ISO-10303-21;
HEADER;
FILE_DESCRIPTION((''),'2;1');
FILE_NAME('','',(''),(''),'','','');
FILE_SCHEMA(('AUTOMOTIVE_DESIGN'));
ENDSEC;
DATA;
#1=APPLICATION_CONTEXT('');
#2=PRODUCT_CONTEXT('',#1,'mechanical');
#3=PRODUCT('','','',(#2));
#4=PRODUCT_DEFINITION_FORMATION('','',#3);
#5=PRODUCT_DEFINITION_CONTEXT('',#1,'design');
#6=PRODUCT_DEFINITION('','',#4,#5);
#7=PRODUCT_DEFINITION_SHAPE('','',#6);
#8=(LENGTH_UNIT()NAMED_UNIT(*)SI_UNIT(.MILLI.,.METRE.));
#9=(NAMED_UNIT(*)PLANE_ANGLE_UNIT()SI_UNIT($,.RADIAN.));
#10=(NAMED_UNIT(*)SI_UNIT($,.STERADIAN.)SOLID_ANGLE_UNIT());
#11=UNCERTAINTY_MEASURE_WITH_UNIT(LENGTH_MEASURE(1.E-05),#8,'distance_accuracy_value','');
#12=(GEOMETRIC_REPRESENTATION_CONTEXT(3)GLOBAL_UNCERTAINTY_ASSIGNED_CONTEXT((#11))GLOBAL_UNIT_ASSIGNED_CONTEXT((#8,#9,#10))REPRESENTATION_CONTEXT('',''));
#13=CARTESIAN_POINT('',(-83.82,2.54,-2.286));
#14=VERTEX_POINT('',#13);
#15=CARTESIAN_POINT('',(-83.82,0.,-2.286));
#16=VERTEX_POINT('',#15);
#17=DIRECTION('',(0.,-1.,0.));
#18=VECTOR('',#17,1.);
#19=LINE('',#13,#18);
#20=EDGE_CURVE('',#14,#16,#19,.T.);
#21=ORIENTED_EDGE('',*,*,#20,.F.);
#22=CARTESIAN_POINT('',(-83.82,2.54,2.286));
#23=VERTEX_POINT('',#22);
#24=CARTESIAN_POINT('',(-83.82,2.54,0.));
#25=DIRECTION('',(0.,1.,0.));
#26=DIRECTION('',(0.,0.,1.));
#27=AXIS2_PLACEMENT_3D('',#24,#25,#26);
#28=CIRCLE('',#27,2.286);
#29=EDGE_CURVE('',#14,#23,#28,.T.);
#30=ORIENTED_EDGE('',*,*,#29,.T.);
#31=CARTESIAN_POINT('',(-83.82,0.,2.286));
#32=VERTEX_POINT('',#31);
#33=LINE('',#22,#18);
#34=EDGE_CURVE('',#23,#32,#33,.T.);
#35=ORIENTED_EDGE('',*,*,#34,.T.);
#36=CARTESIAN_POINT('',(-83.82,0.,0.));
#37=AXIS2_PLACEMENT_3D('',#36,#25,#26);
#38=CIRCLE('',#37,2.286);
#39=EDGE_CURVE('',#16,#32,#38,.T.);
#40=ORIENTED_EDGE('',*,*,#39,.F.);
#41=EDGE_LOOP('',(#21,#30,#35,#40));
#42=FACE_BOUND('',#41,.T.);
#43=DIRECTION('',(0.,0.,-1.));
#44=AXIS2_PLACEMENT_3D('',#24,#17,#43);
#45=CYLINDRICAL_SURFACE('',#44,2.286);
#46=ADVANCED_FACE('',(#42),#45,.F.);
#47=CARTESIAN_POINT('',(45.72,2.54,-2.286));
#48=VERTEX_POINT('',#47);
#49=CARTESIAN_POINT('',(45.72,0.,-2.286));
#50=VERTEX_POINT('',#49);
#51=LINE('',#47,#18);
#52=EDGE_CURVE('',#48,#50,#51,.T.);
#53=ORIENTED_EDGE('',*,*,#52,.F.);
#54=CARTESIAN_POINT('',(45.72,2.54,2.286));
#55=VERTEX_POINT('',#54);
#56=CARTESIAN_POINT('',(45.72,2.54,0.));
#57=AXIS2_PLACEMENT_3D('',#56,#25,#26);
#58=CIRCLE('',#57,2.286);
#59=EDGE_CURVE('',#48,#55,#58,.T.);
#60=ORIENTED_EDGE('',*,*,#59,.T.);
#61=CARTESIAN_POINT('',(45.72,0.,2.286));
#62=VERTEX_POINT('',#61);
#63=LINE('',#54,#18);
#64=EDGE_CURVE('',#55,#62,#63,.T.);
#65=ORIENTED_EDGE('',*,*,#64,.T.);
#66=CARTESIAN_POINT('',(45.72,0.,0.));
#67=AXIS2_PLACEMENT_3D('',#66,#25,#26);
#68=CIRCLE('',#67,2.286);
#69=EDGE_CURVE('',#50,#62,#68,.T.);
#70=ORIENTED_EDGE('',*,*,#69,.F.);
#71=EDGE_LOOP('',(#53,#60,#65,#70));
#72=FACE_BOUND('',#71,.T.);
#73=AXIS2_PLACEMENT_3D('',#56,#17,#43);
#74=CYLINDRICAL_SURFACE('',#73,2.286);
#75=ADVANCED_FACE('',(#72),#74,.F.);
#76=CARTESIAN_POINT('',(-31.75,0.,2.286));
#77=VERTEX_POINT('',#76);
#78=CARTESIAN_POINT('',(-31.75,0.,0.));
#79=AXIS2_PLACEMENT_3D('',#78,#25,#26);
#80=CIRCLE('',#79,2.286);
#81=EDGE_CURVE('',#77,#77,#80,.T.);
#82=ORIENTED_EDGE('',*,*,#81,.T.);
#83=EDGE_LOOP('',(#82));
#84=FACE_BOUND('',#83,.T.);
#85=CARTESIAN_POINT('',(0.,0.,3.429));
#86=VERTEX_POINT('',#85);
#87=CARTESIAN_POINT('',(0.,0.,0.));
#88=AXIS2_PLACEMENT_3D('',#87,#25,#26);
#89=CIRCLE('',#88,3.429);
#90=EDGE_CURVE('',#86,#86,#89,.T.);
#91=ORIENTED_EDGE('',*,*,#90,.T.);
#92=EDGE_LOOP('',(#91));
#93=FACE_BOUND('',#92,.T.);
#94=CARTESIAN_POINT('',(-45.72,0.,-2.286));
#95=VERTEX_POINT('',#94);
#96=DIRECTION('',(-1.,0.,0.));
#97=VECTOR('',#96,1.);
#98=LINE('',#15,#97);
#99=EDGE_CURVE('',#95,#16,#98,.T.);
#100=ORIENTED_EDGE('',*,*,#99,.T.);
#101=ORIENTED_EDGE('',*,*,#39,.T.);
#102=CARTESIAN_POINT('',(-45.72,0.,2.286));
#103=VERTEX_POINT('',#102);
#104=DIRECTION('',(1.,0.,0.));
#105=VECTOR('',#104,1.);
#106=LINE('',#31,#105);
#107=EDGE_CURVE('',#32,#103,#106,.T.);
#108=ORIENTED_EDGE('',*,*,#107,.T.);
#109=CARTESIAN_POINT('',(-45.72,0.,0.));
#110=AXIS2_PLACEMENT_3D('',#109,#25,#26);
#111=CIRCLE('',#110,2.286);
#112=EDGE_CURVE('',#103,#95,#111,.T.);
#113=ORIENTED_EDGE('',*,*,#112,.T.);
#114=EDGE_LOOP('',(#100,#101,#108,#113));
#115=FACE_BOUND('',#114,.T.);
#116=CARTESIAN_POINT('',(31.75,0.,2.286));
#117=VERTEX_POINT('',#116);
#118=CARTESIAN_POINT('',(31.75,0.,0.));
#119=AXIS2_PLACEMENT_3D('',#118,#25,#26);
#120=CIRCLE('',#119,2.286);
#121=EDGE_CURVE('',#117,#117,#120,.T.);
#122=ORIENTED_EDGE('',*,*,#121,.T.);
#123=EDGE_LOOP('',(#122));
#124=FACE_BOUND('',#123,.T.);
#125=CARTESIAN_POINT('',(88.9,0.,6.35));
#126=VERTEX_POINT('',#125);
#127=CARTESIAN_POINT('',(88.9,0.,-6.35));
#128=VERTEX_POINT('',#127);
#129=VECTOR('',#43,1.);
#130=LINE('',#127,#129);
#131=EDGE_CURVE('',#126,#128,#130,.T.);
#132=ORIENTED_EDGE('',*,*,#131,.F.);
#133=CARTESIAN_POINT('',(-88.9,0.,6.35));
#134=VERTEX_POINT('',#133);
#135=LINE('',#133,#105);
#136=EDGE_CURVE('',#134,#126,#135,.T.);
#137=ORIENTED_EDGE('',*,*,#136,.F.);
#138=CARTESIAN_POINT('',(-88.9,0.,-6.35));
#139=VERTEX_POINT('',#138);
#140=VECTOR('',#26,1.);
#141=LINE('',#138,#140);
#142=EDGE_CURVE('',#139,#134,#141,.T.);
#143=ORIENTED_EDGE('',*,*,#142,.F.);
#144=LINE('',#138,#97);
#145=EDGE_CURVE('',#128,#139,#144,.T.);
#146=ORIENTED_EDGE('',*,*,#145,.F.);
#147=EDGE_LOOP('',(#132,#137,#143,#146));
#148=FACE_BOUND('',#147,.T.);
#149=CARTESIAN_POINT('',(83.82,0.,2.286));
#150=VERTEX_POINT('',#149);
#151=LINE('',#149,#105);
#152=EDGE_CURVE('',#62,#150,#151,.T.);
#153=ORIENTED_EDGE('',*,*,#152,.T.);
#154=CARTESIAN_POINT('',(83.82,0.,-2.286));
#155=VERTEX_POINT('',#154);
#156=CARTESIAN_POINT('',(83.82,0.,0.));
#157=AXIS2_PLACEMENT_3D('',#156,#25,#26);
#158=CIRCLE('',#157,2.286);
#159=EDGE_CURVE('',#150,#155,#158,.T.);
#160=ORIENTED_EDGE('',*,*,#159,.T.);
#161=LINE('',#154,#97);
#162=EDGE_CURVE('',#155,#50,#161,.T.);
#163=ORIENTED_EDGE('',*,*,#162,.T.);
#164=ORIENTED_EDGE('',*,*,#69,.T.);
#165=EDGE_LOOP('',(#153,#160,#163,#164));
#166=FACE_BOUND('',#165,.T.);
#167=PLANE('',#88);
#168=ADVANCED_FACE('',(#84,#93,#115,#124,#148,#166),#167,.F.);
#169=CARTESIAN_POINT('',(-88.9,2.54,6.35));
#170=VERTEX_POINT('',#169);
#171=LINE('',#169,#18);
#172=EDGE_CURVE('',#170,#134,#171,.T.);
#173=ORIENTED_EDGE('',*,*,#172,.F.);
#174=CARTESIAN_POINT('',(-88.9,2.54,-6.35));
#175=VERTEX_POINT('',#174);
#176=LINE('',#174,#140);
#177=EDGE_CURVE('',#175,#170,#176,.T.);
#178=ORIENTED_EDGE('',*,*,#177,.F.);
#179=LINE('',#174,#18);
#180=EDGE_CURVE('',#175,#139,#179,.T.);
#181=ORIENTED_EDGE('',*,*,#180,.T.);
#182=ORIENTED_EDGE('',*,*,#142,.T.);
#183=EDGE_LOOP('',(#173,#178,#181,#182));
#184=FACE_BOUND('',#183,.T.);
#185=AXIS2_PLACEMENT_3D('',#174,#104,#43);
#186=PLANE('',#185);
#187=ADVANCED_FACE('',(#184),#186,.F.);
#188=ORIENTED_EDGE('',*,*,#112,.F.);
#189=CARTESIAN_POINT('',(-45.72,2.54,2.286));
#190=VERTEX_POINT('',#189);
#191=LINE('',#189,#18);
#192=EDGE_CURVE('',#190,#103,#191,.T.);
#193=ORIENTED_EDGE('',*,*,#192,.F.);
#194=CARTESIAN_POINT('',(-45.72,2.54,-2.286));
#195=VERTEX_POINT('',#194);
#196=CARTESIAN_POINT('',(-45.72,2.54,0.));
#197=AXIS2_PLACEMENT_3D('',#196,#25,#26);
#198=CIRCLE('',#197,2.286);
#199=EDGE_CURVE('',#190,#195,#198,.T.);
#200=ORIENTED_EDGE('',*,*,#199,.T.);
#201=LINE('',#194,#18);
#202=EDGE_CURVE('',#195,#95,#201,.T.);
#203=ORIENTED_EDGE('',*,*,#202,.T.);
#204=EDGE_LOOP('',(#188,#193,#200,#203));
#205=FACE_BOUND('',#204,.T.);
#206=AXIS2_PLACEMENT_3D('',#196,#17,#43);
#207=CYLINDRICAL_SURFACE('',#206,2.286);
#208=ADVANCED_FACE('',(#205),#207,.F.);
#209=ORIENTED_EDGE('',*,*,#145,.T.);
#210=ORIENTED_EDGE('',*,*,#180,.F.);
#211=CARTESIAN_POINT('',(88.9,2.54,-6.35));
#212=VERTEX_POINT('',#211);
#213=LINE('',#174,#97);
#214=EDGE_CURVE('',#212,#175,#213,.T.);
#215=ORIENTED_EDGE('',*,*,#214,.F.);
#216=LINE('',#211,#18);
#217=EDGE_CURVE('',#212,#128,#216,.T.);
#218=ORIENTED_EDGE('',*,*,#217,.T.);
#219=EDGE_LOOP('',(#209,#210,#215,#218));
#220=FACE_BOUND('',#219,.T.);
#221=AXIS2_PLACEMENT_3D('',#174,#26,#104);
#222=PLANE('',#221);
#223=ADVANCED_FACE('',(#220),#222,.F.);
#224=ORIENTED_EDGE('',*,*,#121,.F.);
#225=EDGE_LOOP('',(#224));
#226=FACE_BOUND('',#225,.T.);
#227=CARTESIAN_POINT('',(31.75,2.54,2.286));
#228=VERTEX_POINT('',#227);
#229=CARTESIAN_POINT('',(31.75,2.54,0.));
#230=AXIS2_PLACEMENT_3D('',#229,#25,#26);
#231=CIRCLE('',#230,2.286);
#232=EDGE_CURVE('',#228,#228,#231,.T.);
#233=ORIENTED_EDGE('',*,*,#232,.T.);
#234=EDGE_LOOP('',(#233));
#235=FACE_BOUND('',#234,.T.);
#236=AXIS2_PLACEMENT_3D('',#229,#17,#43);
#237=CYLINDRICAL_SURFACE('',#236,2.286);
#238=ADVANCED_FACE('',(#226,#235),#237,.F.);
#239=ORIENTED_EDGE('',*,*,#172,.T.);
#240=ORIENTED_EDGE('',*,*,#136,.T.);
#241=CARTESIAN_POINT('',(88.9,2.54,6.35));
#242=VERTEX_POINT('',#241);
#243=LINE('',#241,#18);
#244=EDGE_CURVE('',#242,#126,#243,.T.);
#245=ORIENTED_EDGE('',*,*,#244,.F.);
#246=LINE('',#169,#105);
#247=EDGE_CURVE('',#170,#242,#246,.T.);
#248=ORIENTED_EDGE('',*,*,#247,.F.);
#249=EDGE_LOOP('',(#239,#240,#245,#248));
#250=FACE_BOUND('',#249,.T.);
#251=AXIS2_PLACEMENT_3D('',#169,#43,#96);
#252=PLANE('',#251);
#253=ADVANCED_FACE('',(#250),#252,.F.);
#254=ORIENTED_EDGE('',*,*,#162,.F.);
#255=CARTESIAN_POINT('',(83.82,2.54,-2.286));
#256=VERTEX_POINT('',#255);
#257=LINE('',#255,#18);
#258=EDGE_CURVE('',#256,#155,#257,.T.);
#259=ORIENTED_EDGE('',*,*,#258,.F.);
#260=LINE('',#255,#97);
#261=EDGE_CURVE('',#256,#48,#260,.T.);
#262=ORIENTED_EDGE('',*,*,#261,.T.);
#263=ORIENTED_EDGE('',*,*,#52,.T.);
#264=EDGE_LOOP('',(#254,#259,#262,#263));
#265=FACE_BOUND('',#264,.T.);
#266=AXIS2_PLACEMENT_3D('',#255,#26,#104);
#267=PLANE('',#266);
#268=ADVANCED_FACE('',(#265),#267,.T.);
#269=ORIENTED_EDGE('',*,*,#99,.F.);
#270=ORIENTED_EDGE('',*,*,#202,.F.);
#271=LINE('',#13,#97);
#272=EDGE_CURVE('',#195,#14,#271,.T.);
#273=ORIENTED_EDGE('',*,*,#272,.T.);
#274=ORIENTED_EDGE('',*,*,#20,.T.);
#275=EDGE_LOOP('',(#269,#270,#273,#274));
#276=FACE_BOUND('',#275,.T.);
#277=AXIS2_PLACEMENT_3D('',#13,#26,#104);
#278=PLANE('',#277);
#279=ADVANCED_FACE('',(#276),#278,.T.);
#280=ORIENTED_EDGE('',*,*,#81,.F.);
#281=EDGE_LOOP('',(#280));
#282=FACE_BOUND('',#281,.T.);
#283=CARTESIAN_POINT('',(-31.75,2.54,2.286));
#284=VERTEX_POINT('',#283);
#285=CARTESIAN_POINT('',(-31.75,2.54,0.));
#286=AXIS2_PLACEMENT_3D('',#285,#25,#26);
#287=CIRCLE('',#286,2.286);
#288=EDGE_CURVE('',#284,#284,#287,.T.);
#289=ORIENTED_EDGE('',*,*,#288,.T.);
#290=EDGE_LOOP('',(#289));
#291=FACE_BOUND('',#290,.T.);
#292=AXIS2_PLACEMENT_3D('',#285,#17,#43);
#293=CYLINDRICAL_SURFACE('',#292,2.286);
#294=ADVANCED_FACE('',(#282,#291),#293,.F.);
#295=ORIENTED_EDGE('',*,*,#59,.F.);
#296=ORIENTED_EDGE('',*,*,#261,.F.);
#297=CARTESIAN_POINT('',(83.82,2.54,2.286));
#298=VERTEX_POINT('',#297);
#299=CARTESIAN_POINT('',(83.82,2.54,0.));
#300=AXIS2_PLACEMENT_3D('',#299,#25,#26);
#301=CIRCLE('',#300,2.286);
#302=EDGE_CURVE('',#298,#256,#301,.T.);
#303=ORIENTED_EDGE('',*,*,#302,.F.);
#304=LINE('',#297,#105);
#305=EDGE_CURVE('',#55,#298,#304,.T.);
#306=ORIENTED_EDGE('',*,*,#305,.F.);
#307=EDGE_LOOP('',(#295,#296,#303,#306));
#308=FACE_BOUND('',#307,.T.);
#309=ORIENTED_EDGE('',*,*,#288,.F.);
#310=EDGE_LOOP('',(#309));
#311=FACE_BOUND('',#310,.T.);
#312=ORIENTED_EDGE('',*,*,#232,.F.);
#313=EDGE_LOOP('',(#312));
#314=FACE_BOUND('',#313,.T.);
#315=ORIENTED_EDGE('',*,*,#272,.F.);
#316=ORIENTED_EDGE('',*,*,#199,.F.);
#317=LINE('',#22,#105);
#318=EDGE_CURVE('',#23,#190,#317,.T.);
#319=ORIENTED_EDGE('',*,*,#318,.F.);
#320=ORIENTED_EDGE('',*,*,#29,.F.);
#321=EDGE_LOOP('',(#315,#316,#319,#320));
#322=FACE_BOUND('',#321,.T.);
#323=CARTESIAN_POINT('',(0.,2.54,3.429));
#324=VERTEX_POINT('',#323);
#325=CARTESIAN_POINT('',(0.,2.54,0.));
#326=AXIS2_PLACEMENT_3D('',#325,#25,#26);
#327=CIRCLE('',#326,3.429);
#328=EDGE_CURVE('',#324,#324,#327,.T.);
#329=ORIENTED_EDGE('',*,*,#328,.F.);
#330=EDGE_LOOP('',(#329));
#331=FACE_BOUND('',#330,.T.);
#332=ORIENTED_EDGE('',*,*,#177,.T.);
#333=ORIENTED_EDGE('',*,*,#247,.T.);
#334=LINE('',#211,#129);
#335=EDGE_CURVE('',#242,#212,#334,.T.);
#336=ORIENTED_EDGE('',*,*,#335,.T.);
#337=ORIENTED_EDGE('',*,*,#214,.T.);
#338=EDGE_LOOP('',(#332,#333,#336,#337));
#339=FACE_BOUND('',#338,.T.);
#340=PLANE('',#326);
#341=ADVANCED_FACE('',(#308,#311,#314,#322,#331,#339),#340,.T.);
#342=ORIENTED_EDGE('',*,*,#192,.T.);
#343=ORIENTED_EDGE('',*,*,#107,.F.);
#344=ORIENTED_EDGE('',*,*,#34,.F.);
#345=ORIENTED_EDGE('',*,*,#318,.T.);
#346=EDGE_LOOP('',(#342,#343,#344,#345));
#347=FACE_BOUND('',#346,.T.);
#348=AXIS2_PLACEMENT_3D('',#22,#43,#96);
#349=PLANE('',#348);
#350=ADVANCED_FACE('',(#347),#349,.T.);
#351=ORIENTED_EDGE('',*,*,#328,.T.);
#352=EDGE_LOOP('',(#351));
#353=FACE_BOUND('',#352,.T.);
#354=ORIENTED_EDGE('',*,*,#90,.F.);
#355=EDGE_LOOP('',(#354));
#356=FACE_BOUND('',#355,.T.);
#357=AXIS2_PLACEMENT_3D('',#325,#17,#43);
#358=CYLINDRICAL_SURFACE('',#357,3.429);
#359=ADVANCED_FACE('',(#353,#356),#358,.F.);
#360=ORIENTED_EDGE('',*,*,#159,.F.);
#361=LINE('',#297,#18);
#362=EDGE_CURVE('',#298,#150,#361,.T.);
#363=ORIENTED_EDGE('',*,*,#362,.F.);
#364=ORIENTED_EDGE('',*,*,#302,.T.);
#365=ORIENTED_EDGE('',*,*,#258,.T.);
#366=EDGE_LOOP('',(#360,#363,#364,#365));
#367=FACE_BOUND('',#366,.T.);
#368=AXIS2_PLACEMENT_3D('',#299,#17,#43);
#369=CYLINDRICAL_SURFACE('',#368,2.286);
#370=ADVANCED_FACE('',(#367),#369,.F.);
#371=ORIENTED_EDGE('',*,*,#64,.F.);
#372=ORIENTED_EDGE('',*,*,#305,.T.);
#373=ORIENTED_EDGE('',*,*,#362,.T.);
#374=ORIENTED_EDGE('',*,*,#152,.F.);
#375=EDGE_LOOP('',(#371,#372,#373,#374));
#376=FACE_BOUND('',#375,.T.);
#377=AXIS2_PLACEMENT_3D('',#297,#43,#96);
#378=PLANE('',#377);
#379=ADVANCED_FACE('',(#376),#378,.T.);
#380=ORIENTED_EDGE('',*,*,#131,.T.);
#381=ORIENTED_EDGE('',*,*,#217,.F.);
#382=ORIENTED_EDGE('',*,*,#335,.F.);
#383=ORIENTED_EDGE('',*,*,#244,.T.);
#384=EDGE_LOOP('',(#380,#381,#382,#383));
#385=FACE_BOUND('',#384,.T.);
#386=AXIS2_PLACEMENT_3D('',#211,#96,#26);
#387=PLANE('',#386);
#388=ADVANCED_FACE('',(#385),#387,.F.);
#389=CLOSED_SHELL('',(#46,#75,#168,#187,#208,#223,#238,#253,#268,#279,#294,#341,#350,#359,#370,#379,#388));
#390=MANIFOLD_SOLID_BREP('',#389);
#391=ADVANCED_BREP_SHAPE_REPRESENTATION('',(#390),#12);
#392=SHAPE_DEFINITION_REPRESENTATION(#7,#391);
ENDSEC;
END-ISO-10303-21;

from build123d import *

# Parameters (mm, degrees)
SKETCH1_W           = 177.8
SKETCH1_H           = 12.7
SKETCH1_R           = 3.429
SKETCH1_R_2         = 2.286
BOSS_EXTRUDE1_DEPTH = 2.54


with BuildPart() as part:
    # Sketch1 → Boss-Extrude1 (new body)
    with BuildSketch(Plane(origin=(0, 0, 0), x_dir=(1, 0, 0), z_dir=(0, 1, 0))):
        Rectangle(SKETCH1_W, SKETCH1_H)
        with Locations(Location((0, 0, 0), (0, 0, 270))):
            Circle(SKETCH1_R, mode=Mode.SUBTRACT)
        with Locations(Location((-31.75, 0, 0), (0, 0, 270))):
            Circle(SKETCH1_R_2, mode=Mode.SUBTRACT)
        with Locations(Location((31.75, 0, 0), (0, 0, 270))):
            Circle(SKETCH1_R_2, mode=Mode.SUBTRACT)
        with BuildLine():
            Line((-83.82, 2.286), (-45.72, 2.286))
            ThreePointArc((-45.72, 2.286), (-43.434, 0), (-45.72, -2.286))
            Line((-45.72, -2.286), (-83.82, -2.286))
            ThreePointArc((-83.82, -2.286), (-86.106, 0), (-83.82, 2.286))
        make_face(mode=Mode.SUBTRACT)
        with BuildLine():
            Line((83.82, -2.286), (45.72, -2.286))
            ThreePointArc((45.72, -2.286), (43.434, 0), (45.72, 2.286))
            Line((45.72, 2.286), (83.82, 2.286))
            ThreePointArc((83.82, 2.286), (86.106, 0), (83.82, -2.286))
        make_face(mode=Mode.SUBTRACT)
    extrude(amount=BOSS_EXTRUDE1_DEPTH)


solid = part.part
